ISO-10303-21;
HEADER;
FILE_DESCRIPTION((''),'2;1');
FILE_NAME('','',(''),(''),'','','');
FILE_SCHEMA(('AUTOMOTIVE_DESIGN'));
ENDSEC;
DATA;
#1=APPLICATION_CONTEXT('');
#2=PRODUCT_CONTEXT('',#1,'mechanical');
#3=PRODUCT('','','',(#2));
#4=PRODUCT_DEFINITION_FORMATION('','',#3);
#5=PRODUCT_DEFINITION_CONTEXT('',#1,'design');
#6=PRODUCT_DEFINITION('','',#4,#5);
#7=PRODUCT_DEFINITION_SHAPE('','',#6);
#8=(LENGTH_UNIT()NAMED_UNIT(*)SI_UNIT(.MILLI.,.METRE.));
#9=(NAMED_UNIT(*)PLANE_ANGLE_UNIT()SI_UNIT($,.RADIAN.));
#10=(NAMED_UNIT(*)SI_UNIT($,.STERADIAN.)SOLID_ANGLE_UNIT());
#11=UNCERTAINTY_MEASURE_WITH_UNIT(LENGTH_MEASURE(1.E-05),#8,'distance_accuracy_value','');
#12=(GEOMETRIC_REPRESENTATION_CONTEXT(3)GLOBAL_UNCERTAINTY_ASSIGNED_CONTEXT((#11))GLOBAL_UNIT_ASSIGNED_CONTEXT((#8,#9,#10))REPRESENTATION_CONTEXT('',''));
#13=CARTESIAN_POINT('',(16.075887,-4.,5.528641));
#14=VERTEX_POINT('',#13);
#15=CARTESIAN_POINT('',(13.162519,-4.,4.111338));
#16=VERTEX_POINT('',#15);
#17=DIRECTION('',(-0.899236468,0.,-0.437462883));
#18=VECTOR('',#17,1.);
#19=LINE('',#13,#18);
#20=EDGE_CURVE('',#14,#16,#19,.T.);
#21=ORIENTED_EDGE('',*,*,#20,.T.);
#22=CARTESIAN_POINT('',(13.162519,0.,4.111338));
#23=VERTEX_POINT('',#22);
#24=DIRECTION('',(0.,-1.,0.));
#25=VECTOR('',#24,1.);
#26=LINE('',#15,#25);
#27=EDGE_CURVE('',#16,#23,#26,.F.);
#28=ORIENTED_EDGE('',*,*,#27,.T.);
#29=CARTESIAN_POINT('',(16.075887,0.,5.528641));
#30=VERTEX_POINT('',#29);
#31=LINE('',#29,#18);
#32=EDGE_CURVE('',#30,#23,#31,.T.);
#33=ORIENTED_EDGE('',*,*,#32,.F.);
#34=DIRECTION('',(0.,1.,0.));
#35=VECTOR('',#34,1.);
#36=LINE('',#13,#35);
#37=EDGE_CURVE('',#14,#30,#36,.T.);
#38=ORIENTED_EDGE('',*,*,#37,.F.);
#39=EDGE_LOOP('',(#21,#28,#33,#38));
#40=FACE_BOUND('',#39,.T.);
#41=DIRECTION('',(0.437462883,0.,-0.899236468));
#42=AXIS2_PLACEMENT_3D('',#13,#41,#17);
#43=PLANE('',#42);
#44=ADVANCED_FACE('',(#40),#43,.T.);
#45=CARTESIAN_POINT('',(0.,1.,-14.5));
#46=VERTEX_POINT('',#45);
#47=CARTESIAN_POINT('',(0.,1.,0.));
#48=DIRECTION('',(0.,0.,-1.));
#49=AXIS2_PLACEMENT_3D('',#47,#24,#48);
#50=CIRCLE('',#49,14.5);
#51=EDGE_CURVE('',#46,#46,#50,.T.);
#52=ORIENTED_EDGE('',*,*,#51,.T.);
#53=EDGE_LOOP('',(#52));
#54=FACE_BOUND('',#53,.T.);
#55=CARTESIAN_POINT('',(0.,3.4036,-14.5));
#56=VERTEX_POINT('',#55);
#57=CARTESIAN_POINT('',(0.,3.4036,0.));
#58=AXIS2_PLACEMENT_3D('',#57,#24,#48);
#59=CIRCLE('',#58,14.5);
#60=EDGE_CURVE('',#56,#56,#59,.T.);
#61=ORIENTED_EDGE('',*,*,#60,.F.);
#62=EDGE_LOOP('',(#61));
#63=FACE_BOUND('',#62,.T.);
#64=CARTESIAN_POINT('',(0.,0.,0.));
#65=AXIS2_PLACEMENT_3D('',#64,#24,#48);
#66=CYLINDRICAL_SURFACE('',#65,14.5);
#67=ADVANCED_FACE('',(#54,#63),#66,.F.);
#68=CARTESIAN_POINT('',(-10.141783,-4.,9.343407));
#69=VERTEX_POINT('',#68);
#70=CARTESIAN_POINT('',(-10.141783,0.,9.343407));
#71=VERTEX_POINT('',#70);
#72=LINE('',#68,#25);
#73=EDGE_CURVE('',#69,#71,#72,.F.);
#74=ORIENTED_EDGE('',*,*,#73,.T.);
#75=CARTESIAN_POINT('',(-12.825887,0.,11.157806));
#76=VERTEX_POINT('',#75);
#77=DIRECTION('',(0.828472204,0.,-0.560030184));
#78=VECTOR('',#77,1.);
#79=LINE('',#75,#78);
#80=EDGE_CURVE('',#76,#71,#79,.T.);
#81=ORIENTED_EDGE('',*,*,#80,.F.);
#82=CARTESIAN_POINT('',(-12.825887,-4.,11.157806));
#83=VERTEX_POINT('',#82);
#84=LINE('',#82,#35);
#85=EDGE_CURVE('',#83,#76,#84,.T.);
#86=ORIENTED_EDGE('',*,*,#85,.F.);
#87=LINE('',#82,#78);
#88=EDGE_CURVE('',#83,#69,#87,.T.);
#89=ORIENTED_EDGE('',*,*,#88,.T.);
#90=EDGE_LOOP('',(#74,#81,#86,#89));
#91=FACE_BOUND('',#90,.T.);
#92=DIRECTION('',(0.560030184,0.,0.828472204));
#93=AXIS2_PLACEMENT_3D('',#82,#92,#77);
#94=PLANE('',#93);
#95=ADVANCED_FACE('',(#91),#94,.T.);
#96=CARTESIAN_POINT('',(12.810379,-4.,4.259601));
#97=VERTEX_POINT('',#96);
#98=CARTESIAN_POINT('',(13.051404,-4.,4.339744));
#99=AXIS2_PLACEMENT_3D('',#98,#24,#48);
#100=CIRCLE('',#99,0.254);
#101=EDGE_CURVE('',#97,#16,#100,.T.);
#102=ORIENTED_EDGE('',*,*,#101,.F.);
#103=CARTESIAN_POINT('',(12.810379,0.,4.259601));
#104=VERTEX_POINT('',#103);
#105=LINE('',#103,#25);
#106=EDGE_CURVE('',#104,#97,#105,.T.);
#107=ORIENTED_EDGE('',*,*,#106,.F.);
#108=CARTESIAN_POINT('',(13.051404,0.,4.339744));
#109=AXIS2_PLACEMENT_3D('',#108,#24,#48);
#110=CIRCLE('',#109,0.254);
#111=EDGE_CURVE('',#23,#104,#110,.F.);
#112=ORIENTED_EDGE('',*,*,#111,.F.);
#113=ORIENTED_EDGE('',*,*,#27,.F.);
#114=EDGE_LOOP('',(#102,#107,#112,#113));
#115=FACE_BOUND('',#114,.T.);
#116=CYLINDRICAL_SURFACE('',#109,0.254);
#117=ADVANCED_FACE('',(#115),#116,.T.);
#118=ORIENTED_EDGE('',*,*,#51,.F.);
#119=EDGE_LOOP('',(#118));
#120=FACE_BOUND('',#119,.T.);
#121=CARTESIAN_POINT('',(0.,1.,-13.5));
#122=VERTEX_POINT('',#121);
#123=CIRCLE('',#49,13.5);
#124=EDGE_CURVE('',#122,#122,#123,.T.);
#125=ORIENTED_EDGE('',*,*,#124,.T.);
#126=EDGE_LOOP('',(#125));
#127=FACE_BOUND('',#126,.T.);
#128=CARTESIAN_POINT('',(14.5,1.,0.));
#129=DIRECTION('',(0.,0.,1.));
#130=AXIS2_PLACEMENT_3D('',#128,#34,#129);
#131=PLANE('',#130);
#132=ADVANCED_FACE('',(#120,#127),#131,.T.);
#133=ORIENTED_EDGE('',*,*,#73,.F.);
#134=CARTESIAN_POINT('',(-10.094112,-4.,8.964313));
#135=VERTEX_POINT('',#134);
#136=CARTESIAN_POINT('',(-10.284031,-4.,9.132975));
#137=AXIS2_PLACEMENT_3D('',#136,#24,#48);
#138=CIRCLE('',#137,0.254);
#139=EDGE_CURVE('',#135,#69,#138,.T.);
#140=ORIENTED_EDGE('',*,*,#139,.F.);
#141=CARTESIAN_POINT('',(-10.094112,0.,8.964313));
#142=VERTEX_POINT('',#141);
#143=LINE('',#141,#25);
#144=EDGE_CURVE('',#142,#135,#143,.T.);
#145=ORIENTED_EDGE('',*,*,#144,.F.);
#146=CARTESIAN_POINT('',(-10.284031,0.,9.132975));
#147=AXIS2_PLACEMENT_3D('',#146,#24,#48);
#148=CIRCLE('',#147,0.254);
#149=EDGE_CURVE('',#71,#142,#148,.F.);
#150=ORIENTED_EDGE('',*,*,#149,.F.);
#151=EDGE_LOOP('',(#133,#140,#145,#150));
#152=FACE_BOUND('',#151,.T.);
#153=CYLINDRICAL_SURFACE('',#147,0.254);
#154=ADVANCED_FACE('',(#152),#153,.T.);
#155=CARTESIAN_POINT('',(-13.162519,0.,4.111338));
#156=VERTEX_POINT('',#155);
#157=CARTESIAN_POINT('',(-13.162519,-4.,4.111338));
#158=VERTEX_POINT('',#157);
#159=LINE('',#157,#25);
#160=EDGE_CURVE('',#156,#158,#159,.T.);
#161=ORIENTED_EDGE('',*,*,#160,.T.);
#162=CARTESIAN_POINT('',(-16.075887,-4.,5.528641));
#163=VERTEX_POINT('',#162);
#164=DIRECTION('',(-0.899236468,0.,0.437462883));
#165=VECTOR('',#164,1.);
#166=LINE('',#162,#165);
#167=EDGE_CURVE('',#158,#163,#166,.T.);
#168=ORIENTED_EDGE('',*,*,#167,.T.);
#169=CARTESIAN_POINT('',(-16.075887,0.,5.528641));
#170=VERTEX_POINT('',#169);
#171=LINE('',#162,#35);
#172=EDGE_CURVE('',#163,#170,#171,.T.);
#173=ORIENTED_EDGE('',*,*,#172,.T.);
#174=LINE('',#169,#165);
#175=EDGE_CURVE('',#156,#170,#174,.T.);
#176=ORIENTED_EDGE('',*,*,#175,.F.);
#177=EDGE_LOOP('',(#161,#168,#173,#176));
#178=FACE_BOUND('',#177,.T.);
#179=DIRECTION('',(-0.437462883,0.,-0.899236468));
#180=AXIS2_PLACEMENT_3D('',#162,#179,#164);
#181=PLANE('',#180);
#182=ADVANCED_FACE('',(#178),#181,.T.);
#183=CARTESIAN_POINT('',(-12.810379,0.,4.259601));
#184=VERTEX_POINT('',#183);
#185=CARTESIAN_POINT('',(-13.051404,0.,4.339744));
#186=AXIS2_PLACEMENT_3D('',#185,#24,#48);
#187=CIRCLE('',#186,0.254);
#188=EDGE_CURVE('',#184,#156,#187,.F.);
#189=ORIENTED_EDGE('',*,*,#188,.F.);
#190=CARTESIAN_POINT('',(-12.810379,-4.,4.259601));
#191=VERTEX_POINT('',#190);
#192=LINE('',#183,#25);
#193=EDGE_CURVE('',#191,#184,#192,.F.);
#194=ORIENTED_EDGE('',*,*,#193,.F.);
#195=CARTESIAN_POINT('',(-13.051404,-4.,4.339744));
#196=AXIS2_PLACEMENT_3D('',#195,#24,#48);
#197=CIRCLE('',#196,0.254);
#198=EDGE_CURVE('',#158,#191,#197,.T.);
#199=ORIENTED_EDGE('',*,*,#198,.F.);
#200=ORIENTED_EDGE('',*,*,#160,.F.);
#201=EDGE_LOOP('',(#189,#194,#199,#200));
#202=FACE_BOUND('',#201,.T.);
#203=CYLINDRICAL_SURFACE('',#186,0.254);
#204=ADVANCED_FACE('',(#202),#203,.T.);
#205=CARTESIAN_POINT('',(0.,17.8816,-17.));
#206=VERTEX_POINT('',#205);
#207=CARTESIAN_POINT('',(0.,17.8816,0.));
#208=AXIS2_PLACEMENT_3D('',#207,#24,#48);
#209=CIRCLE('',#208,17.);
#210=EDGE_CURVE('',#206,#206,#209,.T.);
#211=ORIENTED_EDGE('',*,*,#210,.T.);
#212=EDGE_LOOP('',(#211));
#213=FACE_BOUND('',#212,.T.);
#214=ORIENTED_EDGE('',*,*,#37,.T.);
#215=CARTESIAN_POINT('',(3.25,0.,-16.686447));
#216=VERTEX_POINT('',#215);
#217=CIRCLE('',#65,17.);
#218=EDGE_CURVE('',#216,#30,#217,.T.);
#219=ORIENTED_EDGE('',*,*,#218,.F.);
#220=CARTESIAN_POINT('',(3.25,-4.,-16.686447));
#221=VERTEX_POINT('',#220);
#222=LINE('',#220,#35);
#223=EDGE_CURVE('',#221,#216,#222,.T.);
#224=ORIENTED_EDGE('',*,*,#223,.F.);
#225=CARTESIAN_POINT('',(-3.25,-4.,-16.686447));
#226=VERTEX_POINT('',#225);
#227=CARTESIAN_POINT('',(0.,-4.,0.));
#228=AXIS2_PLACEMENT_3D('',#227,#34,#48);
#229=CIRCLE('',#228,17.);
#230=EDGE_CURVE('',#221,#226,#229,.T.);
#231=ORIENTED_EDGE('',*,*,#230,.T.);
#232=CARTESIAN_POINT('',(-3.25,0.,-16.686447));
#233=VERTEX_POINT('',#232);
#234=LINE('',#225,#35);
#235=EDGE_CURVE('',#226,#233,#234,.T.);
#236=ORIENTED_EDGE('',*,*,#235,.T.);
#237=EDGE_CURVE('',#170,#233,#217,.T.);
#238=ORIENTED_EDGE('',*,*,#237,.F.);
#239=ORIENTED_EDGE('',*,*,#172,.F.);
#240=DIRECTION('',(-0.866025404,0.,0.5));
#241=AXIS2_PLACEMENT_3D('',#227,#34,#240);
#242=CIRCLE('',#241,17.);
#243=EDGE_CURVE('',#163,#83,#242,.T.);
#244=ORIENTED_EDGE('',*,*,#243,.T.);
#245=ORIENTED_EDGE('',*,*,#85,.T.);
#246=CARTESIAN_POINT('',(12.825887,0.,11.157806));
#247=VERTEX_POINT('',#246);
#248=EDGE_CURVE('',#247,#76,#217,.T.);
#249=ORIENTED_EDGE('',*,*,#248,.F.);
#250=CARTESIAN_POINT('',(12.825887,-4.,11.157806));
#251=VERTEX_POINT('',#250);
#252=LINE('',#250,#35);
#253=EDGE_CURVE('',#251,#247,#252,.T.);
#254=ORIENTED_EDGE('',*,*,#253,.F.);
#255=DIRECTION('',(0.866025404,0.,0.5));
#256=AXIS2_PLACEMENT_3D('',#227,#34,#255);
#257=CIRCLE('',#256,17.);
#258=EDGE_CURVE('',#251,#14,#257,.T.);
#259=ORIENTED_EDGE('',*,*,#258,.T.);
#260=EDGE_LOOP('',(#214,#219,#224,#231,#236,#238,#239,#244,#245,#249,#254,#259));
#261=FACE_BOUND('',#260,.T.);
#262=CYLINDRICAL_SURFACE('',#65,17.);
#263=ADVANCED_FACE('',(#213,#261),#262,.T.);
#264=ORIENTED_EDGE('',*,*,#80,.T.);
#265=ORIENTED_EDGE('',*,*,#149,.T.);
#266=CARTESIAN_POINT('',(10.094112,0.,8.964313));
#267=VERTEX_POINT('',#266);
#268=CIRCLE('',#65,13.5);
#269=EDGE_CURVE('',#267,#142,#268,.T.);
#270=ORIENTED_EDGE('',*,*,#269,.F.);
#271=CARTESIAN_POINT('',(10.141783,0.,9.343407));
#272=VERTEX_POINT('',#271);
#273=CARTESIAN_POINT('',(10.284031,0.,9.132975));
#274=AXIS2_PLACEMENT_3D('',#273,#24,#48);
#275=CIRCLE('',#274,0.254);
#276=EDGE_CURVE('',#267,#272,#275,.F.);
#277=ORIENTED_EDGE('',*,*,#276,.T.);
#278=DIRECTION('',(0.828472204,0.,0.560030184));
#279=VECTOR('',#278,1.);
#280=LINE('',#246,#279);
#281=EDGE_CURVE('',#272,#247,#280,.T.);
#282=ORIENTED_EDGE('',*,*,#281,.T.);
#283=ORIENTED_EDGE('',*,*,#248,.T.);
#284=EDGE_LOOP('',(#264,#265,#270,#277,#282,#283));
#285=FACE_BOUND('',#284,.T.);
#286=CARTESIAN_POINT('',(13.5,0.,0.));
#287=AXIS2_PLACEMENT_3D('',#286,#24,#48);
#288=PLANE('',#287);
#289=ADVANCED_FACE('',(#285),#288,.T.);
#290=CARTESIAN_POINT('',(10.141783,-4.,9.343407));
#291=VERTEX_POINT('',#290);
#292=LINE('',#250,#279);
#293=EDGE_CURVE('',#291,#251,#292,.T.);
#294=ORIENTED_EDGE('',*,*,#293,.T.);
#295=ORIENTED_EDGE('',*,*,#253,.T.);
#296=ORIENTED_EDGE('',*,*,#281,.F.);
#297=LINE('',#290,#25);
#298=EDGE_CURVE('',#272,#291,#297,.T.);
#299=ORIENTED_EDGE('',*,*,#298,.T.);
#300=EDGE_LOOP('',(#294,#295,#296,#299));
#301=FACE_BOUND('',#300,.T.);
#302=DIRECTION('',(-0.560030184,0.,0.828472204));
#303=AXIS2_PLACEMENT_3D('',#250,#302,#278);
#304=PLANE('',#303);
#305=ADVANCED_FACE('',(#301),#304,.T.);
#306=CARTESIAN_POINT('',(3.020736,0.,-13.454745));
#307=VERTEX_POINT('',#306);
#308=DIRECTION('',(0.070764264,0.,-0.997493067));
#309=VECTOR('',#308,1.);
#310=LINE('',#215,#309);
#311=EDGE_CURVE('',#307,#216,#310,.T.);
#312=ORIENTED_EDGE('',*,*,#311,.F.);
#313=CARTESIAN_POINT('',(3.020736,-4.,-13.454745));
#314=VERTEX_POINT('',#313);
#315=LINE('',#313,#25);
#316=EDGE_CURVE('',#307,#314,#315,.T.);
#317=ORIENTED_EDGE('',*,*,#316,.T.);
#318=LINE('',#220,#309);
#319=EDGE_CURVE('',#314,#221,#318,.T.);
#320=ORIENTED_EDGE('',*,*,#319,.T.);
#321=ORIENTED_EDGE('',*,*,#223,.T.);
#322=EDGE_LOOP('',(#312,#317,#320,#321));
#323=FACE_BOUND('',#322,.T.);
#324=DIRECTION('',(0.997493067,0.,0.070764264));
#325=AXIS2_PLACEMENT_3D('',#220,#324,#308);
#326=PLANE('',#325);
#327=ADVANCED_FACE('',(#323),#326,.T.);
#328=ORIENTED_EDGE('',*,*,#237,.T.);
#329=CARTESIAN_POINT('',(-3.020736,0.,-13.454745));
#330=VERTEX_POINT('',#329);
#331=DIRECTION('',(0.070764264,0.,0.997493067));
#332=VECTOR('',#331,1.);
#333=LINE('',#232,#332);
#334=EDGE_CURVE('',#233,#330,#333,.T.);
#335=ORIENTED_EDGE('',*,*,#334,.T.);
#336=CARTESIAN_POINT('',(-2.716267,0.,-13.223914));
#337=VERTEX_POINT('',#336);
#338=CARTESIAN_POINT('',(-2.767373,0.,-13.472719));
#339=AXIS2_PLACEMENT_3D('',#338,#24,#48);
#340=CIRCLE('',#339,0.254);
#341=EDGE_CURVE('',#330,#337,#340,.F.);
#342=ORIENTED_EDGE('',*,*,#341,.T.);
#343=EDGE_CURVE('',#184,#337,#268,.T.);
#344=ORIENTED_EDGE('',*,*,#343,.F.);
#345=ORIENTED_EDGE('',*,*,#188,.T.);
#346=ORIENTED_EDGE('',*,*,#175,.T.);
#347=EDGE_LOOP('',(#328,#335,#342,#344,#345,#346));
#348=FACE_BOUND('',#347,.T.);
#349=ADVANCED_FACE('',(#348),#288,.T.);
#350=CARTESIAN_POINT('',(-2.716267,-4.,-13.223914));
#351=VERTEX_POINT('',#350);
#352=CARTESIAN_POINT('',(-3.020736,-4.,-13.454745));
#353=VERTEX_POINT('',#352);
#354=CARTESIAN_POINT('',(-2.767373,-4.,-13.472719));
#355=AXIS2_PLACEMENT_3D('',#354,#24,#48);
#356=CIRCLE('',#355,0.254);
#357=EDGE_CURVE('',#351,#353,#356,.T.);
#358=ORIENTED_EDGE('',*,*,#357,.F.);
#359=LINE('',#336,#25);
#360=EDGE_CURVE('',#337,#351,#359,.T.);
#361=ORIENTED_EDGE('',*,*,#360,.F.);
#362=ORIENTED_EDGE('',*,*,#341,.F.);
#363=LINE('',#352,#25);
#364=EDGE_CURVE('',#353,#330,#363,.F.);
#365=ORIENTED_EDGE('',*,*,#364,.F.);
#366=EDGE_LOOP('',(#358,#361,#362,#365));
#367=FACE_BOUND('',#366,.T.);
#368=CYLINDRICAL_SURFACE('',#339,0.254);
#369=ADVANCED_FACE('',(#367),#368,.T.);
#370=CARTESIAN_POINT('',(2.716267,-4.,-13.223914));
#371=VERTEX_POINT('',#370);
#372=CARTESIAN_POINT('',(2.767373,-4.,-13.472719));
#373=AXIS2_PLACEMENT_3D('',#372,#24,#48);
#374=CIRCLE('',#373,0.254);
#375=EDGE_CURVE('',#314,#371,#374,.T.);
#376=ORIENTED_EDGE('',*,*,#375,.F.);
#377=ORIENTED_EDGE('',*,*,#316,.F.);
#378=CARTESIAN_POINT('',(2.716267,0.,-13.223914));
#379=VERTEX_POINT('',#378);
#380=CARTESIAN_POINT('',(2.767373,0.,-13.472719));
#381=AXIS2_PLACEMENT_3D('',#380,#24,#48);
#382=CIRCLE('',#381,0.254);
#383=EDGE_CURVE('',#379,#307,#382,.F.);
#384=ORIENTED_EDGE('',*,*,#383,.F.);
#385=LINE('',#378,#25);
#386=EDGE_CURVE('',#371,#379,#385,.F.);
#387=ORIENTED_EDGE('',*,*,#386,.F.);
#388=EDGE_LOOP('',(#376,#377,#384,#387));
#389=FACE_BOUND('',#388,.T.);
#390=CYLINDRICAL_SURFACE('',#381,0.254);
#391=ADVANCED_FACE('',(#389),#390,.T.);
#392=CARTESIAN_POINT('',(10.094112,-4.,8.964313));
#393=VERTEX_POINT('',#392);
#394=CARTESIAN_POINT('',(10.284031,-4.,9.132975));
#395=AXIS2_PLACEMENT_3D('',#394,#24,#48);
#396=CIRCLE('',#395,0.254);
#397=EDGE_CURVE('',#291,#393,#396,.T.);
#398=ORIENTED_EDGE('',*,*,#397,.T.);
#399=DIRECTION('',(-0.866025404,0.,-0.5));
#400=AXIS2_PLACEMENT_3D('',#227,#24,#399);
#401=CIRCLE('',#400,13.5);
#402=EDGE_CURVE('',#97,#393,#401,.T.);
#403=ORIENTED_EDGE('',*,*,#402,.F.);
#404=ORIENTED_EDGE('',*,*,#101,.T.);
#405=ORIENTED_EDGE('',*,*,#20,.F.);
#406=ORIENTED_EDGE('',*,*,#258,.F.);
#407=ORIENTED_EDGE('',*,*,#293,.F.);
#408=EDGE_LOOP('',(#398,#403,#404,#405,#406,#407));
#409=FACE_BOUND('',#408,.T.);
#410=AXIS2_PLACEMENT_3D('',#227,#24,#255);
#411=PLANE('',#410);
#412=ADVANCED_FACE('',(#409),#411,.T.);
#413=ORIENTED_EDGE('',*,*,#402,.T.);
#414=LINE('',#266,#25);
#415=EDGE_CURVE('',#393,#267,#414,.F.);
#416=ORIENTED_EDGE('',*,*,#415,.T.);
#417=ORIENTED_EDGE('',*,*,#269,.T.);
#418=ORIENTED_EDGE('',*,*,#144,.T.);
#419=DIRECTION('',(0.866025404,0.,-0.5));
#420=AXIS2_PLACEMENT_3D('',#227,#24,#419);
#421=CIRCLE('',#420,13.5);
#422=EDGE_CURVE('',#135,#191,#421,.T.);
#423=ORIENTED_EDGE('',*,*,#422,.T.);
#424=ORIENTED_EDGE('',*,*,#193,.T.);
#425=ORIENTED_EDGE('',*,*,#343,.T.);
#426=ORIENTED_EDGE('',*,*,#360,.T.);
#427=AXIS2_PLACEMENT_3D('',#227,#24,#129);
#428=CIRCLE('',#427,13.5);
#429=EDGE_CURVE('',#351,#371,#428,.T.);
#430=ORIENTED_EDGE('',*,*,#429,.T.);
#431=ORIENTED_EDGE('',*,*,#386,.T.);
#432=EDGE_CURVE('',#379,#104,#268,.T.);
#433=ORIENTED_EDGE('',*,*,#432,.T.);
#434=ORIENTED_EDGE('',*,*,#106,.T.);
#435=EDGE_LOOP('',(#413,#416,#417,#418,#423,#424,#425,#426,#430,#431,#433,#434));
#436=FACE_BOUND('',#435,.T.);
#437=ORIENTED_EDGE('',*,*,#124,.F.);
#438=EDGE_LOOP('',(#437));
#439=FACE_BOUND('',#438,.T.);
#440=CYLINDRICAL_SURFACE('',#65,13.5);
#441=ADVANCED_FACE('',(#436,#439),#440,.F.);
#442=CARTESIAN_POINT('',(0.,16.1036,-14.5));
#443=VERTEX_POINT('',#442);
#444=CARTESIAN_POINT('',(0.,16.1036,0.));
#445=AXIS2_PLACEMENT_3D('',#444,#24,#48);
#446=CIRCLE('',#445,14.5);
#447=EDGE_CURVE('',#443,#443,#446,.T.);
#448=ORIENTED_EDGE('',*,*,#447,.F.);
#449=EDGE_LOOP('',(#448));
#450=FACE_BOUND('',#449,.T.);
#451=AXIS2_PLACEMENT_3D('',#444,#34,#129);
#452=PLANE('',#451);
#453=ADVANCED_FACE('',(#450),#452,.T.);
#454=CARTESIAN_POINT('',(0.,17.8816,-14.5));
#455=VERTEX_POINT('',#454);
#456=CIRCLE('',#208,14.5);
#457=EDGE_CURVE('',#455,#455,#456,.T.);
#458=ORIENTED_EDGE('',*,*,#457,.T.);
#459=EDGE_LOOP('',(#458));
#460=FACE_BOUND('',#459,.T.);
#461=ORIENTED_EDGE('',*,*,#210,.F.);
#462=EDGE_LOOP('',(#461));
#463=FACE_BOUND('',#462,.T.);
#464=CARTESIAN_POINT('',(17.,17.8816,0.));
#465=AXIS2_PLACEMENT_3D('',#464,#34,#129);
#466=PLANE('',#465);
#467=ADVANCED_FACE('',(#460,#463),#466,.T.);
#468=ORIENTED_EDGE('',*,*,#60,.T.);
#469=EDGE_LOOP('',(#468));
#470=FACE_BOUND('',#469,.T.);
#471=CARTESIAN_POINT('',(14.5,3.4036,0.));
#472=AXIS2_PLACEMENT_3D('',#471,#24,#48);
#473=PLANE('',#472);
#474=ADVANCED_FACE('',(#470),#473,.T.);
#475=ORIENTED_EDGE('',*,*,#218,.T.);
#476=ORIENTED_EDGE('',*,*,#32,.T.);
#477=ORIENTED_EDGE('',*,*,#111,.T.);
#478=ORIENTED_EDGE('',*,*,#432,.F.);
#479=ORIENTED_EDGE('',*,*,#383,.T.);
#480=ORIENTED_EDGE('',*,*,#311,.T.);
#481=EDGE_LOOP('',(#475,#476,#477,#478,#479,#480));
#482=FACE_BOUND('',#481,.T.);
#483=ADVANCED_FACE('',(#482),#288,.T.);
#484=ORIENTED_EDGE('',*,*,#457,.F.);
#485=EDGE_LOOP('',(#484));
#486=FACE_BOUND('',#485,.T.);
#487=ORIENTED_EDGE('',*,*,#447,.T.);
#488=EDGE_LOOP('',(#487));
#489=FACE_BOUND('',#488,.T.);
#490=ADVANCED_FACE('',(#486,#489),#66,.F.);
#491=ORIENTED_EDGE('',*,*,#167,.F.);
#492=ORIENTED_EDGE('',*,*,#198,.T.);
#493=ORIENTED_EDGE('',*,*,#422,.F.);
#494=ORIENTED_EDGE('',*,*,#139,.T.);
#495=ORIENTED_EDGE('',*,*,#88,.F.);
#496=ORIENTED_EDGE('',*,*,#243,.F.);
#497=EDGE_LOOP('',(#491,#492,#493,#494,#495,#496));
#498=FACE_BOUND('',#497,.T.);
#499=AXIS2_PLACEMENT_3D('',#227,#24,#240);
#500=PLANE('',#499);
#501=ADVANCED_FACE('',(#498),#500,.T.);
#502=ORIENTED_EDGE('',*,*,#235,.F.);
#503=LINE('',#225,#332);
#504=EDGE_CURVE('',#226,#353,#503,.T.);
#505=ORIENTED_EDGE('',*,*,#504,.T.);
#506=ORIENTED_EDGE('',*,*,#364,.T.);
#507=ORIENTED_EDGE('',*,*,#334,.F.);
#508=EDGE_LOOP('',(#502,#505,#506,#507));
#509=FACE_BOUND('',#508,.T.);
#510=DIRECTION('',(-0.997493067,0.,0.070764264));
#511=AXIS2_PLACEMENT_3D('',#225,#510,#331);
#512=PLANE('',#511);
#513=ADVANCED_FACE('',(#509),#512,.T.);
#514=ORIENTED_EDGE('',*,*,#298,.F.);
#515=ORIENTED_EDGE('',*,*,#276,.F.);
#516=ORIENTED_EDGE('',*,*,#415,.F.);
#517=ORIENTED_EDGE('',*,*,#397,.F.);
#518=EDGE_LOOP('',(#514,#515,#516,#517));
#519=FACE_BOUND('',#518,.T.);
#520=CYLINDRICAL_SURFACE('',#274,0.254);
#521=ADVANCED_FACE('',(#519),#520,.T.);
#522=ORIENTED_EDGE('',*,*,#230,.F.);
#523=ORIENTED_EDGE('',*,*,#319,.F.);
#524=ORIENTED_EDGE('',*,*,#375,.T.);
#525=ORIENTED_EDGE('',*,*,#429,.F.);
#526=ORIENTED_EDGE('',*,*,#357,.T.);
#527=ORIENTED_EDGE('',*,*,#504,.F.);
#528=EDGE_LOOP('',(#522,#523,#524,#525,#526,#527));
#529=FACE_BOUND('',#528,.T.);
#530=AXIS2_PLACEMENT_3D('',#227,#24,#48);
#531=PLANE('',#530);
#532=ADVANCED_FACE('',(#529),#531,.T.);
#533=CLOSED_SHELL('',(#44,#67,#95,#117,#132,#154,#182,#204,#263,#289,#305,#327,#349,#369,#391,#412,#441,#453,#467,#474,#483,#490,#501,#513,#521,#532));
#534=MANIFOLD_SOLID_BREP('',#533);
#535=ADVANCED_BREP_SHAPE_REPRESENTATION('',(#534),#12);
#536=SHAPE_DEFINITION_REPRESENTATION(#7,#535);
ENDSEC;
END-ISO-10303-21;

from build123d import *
from build123d.topology import SkipClean

# Parameters (mm, degrees)
TOOTH_DEPTH       = 4
THREE_TEETH_COUNT = 3
FILLET1_R         = 0.254


with BuildPart() as part:
    # Sketch4 → Revolve1 (revolve)
    with BuildSketch(Plane.XY, mode=Mode.PRIVATE) as revolve1_sk:
        Polygon((0, 16.1036), (14.5, 16.1036), (14.5, 17.8816), (17, 17.8816), (17, 0), (13.5, 0), (13.5, 1), (14.5, 1), (14.5, 3.4036), (0, 3.4036), align=None)
    revolve(revolve1_sk.sketch.rotate(Axis((0, 0, 0), (0, 1, 0)), 90), axis=Axis((0, 0, 0), (0, 1, 0)))

    # Sketch3 → Tooth (add)
    with SkipClean():  # the faces are left unmerged after this step: merging them gives an invalid solid
        with BuildSketch(Plane(origin=(0, 0, 0), x_dir=(1, 0, 0), z_dir=(0, 1, 0))):
            with BuildLine():
                Line((-3.25, 16.686447), (-3, 13.162447))
                ThreePointArc((-3, 13.162447), (0, 13.5), (3, 13.162447))
                Line((3, 13.162447), (3.25, 16.686447))
                ThreePointArc((3.25, 16.686447), (0, 17), (-3.25, 16.686447))
            make_face()
        tooth = extrude(amount=-TOOTH_DEPTH)

    # Three Teeth: Tooth ×3 about axis
    with SkipClean():  # the faces are left unmerged after this step: merging them gives an invalid solid
        three_teeth_axis = Axis((0, 0, 0), (0, 1, 0))
        for i in range(1, THREE_TEETH_COUNT):
            add(tooth.rotate(three_teeth_axis, i * 360 / THREE_TEETH_COUNT))

    # Fillet1
    fillet1_edges = [part.edges().sort_by_distance(p)[0] for p in [
        (-12.899013, -2, 3.983147),
        (-9.899013, -2, 9.1793),
        (-3, -2, -13.162447),
        (3, -2, -13.162447),
        (12.899013, -2, 3.983147),
        (9.899013, -2, 9.1793),
    ]]
    fillet(fillet1_edges, radius=FILLET1_R)


solid = part.part
